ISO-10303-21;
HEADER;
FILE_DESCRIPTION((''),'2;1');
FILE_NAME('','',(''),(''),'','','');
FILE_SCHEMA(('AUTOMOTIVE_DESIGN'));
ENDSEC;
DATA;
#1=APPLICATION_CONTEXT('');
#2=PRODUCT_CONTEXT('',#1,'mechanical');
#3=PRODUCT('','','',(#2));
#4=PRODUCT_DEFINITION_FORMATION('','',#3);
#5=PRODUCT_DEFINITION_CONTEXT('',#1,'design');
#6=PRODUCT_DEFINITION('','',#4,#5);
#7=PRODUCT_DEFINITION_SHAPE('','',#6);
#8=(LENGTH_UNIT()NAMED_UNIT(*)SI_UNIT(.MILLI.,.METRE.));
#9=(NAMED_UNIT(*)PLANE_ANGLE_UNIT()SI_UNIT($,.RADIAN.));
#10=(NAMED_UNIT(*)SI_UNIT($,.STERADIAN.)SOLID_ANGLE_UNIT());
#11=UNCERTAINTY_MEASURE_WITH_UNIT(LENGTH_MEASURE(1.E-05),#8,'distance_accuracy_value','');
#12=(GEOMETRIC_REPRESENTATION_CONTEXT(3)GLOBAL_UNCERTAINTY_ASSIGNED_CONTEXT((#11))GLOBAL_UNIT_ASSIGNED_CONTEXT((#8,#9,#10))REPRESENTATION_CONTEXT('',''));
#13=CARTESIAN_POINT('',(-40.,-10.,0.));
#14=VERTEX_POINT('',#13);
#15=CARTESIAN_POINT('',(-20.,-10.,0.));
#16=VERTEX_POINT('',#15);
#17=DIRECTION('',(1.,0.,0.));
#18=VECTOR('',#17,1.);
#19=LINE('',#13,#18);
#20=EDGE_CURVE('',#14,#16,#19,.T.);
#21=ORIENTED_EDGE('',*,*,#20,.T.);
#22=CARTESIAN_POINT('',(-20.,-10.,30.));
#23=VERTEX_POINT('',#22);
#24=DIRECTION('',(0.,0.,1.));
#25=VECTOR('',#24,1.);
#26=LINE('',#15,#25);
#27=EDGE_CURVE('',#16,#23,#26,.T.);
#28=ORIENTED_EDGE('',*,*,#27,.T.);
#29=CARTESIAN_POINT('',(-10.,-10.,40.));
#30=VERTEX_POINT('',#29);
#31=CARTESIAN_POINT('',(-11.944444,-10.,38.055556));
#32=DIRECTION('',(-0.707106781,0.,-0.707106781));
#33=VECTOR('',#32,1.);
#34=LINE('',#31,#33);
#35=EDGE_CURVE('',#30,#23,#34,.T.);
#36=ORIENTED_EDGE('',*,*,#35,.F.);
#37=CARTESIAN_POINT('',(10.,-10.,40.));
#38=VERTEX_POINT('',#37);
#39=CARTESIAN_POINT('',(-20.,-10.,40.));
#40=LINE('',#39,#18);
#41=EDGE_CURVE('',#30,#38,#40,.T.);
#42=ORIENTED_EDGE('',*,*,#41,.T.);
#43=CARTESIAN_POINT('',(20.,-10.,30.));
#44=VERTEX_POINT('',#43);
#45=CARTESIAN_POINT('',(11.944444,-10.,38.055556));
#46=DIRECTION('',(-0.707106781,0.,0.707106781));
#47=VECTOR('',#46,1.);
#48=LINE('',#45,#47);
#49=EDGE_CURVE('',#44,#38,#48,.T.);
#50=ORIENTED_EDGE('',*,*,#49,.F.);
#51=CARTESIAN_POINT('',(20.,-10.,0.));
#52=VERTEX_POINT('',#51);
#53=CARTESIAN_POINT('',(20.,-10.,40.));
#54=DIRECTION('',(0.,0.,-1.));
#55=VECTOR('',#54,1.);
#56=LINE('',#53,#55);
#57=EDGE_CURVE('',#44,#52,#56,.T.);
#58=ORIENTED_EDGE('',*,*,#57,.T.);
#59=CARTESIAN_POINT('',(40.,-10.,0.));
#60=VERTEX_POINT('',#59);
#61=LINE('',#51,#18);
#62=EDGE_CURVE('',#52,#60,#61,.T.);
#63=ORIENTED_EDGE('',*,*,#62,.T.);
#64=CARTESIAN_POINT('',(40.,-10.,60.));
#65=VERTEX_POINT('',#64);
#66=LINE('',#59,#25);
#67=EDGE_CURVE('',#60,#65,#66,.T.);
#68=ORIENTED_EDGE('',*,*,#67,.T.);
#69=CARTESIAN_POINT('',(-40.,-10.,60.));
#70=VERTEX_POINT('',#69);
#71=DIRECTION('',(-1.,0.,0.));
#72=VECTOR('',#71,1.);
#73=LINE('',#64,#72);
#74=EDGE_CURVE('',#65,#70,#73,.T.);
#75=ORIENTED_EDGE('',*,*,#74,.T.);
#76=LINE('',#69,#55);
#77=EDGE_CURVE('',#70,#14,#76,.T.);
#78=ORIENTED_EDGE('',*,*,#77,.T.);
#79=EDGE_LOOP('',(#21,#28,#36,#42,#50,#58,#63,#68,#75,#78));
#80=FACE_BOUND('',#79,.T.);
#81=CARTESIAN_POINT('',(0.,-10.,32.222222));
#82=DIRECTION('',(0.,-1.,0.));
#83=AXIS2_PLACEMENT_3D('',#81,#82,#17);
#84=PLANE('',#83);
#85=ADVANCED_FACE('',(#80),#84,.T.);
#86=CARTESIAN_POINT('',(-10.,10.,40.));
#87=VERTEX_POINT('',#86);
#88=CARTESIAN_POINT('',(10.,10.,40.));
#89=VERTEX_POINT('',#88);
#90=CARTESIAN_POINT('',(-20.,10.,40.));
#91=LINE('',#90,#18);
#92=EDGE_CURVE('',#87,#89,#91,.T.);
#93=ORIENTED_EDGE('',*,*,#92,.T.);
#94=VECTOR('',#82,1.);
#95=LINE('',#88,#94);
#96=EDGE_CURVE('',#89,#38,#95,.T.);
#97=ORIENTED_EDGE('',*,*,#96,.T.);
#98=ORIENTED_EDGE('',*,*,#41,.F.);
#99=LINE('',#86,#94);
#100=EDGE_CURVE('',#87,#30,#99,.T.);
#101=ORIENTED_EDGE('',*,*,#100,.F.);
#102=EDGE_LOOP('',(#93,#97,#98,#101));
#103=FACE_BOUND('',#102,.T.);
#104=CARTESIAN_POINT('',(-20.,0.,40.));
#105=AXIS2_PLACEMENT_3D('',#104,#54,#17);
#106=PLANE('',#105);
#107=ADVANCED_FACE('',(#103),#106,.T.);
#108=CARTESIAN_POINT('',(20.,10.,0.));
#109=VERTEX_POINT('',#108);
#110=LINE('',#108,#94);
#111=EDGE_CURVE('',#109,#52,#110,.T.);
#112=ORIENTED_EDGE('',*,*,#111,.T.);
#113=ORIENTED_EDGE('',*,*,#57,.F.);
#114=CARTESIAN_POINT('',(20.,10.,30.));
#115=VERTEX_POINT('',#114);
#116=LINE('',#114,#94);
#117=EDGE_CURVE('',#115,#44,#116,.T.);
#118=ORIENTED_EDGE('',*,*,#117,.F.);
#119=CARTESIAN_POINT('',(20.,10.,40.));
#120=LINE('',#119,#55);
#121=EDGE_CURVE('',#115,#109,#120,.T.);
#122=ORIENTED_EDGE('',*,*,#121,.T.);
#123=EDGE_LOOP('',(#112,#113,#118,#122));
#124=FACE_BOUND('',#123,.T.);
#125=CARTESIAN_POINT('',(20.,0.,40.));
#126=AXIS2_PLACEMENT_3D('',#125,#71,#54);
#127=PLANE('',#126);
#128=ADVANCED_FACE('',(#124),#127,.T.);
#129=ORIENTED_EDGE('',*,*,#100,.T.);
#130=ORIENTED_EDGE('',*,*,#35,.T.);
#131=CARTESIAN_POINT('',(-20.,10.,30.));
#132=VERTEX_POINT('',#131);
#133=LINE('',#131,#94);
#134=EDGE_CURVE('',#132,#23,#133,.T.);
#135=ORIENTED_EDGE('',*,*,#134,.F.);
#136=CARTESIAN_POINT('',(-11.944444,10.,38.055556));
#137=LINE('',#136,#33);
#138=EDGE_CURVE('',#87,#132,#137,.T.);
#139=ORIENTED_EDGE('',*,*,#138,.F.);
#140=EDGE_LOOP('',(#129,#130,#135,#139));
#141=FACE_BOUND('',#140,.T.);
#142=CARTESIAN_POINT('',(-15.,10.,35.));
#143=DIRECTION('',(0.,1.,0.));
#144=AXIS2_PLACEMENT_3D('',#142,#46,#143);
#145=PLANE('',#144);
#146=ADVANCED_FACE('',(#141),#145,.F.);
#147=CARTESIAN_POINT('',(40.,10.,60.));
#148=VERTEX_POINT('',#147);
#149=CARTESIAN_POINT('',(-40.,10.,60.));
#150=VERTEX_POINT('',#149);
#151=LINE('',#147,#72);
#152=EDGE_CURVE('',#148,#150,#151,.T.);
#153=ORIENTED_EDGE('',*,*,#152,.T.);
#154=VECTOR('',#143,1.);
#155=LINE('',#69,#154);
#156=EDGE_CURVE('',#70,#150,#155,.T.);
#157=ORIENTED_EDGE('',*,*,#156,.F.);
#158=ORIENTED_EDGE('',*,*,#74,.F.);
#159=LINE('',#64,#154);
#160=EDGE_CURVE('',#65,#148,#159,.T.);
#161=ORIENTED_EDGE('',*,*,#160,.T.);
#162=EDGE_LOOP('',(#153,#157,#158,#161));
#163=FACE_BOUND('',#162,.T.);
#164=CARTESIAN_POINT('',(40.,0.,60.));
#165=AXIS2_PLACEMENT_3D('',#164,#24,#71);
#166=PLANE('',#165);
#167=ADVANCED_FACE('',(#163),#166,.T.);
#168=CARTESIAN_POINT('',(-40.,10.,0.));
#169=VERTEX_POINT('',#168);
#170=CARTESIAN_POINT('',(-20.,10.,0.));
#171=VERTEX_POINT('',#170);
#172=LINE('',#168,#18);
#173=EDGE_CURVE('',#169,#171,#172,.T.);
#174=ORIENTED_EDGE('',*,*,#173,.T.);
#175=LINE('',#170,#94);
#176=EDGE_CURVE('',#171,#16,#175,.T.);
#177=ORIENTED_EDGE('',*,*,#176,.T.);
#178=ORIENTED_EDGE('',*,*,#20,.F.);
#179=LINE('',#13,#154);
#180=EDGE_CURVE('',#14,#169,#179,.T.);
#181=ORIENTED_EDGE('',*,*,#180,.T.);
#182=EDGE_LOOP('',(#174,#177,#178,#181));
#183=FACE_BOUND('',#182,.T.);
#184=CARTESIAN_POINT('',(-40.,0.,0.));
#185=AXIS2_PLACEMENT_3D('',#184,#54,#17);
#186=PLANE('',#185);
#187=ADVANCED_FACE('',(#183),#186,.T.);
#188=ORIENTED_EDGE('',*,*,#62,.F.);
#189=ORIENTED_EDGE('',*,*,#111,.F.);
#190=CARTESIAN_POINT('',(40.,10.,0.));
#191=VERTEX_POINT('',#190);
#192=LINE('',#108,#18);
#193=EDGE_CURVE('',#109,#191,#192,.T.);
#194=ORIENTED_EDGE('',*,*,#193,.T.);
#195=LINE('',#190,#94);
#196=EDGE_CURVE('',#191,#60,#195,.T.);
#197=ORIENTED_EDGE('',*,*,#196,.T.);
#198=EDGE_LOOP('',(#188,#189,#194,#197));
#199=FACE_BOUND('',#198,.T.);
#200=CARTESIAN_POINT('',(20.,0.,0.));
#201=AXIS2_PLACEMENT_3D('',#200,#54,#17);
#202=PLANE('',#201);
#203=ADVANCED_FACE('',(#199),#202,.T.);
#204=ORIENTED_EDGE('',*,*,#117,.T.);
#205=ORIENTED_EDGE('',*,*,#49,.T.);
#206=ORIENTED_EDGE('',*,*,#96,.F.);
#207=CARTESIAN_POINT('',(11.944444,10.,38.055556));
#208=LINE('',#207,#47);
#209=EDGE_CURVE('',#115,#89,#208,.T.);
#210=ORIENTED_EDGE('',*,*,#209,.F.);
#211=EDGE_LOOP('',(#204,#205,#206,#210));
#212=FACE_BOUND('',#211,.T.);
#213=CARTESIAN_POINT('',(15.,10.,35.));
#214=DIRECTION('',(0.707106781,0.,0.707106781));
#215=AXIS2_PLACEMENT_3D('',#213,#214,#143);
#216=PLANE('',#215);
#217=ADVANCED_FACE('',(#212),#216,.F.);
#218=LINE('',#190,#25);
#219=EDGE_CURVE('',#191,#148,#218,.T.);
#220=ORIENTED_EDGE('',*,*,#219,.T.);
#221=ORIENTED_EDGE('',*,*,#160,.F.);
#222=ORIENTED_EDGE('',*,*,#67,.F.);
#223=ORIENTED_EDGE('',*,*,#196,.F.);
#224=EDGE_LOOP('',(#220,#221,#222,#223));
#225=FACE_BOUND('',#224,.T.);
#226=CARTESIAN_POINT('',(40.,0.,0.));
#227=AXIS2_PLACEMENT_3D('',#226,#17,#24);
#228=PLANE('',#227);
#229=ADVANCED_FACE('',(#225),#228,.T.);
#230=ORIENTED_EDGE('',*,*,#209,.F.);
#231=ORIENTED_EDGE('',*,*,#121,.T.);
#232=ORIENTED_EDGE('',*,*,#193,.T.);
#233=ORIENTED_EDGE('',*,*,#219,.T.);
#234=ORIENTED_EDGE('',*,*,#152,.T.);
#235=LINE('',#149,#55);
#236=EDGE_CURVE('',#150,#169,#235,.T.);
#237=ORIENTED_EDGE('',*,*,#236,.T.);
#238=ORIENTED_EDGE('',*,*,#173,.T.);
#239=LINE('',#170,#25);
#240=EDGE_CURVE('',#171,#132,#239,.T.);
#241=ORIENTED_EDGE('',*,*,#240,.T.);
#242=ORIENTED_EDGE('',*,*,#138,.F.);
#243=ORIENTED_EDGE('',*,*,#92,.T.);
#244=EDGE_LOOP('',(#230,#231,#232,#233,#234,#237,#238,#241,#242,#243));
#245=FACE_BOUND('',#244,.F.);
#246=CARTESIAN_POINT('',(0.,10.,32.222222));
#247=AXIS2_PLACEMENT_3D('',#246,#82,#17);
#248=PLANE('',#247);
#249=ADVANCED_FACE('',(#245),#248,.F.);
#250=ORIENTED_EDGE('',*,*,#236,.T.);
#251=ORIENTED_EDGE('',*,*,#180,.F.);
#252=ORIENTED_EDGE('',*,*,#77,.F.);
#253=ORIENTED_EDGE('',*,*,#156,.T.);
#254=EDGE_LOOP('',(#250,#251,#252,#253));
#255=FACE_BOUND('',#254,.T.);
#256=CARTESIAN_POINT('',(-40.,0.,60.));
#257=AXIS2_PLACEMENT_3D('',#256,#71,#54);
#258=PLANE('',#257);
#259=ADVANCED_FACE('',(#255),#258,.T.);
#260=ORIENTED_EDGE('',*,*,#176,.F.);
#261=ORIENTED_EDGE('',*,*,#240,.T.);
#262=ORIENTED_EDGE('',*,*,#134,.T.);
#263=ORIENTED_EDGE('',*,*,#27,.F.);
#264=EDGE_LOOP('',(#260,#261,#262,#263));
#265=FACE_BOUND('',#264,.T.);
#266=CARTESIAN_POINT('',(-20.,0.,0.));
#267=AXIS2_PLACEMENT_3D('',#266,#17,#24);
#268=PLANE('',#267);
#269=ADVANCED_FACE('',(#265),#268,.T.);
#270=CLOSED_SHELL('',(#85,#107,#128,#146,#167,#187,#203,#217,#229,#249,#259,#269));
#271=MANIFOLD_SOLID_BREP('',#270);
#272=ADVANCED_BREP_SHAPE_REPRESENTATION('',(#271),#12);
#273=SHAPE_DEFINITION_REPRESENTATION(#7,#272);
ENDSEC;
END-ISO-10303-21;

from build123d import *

# Parameters (mm, degrees)
PAD_DEPTH    = 10
CHAMFER_SIZE = 10


with BuildPart() as part:
    # Sketch → Pad (new body, symmetric)
    with BuildSketch(Plane.XZ):
        Polygon((-40, 0), (-20, 0), (-20, 40), (20, 40), (20, 0), (40, 0), (40, 60), (-40, 60), align=None)
    extrude(amount=PAD_DEPTH, both=True)

    # Chamfer
    chamfer_edges = [part.edges().sort_by_distance(p)[0] for p in [
        (-20, 0, 40),
        (20, 0, 40),
    ]]
    chamfer(chamfer_edges, length=CHAMFER_SIZE)


solid = part.part
